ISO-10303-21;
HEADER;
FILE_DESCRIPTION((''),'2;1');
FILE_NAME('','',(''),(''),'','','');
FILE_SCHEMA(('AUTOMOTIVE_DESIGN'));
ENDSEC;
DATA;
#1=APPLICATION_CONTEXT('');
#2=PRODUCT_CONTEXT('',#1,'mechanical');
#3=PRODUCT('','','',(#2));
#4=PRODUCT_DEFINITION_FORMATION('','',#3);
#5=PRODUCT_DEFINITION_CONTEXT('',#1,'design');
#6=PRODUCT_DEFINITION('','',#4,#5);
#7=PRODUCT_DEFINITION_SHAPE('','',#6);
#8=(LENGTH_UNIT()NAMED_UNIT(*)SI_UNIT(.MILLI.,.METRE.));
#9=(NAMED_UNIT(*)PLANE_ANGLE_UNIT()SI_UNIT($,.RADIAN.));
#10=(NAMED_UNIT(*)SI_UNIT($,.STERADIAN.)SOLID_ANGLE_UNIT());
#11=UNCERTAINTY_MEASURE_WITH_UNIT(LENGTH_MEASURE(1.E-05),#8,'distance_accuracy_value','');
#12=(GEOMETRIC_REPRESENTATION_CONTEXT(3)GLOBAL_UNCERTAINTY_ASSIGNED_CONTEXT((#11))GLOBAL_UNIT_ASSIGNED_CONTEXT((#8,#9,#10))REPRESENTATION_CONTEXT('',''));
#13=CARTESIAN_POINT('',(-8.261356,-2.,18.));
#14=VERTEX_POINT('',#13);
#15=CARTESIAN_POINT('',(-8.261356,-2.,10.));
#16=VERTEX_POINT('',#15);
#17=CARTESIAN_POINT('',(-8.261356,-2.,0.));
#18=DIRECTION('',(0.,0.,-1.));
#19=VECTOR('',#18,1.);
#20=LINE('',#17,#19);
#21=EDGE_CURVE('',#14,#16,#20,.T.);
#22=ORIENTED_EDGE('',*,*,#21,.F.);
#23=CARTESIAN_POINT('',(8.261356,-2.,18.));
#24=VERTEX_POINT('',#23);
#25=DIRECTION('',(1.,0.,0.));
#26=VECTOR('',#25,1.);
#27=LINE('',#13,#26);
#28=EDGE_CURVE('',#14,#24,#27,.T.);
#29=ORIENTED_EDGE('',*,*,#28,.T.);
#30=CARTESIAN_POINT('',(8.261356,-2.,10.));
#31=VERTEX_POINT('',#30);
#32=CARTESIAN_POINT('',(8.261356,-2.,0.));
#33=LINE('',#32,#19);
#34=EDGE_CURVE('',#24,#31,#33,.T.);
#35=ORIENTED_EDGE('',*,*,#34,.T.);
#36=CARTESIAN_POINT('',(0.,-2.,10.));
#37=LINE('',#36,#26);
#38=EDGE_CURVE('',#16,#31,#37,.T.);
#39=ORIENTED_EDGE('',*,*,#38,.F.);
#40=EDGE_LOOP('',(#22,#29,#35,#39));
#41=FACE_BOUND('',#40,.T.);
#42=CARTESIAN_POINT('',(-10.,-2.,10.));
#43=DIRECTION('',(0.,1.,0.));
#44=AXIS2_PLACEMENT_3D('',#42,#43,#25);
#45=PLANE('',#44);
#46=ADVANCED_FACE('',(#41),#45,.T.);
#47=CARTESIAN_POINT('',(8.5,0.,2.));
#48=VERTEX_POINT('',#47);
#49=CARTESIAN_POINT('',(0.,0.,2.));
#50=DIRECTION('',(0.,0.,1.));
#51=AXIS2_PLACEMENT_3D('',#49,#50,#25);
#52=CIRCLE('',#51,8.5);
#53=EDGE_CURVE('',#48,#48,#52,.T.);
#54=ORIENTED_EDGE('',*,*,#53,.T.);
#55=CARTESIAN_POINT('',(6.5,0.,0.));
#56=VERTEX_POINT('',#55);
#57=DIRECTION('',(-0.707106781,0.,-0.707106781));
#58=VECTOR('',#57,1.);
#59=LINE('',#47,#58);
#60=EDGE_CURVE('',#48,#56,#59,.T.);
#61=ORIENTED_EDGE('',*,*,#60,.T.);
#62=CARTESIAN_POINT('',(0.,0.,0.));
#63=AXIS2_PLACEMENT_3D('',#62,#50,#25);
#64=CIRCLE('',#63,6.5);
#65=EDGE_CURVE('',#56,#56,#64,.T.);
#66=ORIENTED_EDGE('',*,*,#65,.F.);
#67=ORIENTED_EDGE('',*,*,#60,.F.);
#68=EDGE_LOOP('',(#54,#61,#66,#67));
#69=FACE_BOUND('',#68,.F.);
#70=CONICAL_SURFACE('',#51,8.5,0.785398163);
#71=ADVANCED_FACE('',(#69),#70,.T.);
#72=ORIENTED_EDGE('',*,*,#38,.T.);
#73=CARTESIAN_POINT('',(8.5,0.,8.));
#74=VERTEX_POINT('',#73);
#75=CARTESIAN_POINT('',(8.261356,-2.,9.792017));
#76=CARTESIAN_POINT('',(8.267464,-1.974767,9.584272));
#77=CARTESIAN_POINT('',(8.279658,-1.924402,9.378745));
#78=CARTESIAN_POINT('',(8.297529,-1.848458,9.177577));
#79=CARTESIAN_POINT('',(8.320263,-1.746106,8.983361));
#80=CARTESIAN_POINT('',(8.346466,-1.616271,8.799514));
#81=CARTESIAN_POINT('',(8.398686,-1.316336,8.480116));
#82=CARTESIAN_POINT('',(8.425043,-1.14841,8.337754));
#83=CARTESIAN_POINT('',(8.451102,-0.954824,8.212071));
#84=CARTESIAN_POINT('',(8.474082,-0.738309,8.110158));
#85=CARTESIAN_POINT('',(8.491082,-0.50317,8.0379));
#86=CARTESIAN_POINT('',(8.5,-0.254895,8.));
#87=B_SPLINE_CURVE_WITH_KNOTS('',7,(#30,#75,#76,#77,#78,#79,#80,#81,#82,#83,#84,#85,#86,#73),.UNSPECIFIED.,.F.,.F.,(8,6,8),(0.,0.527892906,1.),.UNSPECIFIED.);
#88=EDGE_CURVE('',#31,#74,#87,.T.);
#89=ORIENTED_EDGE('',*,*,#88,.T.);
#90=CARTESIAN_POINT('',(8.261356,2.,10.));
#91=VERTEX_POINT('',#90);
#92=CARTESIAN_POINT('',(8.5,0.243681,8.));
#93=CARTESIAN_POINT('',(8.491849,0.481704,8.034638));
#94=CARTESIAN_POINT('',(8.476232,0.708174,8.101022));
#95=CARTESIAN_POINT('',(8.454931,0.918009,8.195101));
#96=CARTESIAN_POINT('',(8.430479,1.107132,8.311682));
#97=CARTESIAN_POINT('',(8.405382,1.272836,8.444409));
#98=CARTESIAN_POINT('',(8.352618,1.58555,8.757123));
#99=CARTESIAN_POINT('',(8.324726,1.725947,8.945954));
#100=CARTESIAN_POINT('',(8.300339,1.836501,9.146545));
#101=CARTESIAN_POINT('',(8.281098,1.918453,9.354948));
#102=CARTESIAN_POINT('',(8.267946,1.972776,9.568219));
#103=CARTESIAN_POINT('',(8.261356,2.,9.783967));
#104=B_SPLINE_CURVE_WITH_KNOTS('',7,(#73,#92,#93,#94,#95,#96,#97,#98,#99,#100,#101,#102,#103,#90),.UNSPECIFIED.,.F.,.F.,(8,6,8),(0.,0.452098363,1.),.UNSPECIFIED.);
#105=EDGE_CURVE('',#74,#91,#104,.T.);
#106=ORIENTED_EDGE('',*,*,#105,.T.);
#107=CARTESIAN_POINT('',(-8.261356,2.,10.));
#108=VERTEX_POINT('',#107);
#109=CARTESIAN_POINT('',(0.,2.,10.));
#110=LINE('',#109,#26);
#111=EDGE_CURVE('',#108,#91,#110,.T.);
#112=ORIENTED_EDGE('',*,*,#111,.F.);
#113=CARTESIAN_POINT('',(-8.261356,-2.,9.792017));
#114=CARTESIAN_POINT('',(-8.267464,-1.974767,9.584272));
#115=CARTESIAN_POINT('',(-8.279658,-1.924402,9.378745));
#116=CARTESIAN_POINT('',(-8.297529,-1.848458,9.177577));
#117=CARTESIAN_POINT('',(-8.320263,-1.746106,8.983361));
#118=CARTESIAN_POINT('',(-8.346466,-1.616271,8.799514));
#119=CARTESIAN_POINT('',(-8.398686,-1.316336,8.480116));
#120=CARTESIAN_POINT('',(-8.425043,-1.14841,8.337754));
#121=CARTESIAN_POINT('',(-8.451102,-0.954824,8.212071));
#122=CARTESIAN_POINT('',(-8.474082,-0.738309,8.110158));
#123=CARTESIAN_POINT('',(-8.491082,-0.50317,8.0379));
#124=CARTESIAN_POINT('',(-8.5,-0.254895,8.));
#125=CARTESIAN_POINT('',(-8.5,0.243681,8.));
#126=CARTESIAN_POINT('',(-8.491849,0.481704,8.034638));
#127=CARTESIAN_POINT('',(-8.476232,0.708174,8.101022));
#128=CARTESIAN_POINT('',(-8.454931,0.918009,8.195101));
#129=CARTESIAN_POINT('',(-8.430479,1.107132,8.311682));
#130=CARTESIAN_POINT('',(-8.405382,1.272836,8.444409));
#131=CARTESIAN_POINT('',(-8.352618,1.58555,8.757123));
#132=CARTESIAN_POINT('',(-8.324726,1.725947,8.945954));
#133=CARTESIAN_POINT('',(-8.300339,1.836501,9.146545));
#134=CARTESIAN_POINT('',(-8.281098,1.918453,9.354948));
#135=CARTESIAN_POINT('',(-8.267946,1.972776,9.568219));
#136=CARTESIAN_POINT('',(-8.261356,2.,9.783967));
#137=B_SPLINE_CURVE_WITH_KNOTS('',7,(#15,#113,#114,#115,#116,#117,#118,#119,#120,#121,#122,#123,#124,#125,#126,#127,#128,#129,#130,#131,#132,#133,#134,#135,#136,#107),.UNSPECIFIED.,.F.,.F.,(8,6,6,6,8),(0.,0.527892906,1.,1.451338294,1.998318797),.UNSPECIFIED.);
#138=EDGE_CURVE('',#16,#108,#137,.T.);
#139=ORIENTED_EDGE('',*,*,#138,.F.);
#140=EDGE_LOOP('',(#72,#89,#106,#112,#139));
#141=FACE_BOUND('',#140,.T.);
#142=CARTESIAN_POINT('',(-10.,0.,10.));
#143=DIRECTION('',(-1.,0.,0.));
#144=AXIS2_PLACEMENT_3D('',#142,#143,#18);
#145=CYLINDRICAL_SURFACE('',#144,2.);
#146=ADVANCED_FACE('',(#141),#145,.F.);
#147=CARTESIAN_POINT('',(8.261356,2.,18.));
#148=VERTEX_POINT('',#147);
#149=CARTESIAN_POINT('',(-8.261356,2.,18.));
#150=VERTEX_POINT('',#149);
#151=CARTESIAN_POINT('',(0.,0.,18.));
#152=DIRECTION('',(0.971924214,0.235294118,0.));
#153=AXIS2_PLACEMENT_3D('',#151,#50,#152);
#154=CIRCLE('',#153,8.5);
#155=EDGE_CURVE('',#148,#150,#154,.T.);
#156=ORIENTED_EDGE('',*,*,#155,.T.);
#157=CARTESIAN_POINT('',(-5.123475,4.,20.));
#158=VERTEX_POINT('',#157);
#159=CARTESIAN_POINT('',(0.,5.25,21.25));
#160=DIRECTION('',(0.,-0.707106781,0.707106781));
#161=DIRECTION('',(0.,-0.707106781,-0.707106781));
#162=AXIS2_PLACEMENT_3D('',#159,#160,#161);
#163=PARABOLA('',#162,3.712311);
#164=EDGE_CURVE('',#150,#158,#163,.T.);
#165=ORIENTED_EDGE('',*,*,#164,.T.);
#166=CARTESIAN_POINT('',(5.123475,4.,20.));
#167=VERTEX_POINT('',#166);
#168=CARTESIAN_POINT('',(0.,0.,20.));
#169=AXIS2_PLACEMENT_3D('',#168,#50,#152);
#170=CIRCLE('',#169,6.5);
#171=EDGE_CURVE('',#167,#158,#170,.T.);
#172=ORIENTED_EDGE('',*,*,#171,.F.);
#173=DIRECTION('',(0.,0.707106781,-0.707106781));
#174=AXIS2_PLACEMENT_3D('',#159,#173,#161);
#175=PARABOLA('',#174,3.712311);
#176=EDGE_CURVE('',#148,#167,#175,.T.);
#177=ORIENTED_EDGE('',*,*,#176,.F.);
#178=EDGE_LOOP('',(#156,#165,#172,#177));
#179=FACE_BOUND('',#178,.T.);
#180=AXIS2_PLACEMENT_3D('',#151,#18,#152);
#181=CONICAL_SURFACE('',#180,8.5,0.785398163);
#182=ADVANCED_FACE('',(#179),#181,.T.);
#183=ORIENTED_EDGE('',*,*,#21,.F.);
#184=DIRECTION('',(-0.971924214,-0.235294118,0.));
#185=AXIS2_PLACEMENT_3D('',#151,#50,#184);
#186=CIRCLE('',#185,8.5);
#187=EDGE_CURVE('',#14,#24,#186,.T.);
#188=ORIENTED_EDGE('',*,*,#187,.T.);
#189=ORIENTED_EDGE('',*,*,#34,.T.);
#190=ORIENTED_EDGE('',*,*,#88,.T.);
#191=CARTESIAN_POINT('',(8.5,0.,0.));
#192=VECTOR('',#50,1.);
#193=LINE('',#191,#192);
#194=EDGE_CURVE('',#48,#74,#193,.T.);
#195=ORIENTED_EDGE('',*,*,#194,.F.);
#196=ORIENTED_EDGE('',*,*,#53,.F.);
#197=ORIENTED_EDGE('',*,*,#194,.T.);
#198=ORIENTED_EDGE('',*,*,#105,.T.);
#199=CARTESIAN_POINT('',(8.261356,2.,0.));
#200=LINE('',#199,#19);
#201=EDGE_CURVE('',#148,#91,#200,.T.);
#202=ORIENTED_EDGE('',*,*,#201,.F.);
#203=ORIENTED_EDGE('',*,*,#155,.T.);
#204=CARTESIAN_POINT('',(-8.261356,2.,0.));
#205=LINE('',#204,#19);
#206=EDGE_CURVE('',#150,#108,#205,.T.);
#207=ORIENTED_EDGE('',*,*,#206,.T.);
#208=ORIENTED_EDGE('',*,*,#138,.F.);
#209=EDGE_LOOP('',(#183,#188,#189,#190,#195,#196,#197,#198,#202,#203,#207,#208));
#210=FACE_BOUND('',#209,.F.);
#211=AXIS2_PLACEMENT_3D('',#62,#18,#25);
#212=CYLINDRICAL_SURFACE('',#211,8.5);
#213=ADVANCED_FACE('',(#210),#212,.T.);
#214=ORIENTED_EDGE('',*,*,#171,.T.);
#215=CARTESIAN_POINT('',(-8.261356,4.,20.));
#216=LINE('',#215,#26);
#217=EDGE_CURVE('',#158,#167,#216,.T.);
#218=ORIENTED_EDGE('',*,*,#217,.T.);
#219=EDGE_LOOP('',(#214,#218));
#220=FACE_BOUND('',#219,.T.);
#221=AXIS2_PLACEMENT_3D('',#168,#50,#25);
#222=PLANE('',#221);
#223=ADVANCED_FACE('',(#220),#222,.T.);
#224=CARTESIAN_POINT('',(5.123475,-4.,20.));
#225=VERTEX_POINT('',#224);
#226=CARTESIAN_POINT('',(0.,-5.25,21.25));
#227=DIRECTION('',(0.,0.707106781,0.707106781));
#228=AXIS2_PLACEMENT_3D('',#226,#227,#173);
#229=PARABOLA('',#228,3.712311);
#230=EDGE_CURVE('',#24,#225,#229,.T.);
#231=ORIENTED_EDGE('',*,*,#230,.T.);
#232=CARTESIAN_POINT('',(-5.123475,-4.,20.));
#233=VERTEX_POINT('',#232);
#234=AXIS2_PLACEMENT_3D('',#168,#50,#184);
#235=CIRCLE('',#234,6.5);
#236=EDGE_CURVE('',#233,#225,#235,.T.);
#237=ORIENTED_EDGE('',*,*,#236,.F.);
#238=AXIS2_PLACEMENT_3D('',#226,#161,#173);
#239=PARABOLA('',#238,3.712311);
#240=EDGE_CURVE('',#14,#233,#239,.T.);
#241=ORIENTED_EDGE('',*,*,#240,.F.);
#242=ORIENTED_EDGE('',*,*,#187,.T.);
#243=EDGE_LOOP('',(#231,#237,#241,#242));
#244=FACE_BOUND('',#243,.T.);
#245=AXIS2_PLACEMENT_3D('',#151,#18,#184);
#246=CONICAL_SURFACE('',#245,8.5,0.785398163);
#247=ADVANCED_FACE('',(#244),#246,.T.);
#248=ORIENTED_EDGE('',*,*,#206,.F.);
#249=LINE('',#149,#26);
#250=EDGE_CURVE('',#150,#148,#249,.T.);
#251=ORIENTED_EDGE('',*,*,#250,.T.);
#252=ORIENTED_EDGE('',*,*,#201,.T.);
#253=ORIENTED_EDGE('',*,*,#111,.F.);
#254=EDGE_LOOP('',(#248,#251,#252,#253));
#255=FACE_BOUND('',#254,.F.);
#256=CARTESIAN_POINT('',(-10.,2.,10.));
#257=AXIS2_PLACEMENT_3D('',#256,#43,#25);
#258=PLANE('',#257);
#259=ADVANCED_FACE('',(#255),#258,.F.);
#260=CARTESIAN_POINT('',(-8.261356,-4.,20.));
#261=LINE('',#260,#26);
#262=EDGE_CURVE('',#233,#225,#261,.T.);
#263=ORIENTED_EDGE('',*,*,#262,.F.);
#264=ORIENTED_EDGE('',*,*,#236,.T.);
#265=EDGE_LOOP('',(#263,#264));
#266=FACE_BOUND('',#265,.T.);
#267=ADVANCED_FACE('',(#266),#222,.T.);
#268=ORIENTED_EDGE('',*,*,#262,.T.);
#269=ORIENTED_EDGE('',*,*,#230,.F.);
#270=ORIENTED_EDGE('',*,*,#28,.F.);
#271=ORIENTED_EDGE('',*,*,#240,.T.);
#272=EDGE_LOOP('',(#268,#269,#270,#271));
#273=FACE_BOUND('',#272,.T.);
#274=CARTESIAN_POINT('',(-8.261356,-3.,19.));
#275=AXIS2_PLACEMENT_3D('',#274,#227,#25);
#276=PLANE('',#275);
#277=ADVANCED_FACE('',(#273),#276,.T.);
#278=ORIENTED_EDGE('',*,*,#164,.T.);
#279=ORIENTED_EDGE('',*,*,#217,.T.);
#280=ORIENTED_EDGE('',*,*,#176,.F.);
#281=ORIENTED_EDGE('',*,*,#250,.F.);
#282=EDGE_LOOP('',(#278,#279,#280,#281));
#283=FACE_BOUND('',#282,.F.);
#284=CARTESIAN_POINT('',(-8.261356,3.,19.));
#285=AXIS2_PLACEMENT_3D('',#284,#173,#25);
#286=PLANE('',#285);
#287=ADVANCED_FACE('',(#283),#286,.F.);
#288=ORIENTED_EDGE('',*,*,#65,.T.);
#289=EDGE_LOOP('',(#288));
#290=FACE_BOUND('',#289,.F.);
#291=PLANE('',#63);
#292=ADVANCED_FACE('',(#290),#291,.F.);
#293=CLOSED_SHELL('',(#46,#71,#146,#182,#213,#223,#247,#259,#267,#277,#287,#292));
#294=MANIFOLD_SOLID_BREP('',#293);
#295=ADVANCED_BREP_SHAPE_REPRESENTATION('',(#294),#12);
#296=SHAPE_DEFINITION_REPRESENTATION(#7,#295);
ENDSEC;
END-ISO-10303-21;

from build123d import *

# Parameters (mm, degrees)
BOX_W                   = 20
BOX_H                   = 4
BOX_DEPTH               = 10
CYLINDER001_R           = 2
CYLINDER001_DEPTH       = 20
CYLINDER001_PITCH_ANGLE = 90
CYLINDER_R              = 8.5
CYLINDER_DEPTH          = 20
CHAMFER_SIZE            = 2


with BuildPart() as cube:
    # Box → Box (new body)
    with BuildSketch(Plane(origin=(-10, -2, 10), x_dir=(1, 0, 0), z_dir=(0, 0, 1))):
        with Locations((10, 2)):
            Rectangle(BOX_W, BOX_H)
    extrude(amount=BOX_DEPTH)


with BuildPart() as fusion:
    # Cylinder001 → Cylinder001 (new body)
    with BuildSketch(Plane.XY):
        Circle(CYLINDER001_R)
    extrude(amount=CYLINDER001_DEPTH)


with BuildPart() as fusion_1:
    # Cylinder001 pitch: moved
    add(fusion.part.rotate(Axis((0, 0, 0), (0, 1, 0)), CYLINDER001_PITCH_ANGLE))


with BuildPart() as fusion_2:
    # Cylinder001 placement: moved
    add(fusion_1.part.moved(Location((-10, 0, 10))))

    # Fusion: union Cube
    add(cube.part)


with BuildPart() as chamfer_body:
    # Cylinder → Cylinder (new body)
    with BuildSketch(Plane.XY):
        Circle(CYLINDER_R)
    extrude(amount=CYLINDER_DEPTH)

    # Cut: cut Fusion
    add(fusion_2.part, mode=Mode.SUBTRACT)

    # Chamfer
    chamfer_edges = [chamfer_body.edges().sort_by_distance(p)[0] for p in [
        (0, 8.5, 20),
        (0, -8.5, 20),
        (-8.5, 0, 0),
        (0, 2, 20),
        (0, -2, 20),
    ]]
    chamfer(chamfer_edges, length=CHAMFER_SIZE)


solid = chamfer_body.part
